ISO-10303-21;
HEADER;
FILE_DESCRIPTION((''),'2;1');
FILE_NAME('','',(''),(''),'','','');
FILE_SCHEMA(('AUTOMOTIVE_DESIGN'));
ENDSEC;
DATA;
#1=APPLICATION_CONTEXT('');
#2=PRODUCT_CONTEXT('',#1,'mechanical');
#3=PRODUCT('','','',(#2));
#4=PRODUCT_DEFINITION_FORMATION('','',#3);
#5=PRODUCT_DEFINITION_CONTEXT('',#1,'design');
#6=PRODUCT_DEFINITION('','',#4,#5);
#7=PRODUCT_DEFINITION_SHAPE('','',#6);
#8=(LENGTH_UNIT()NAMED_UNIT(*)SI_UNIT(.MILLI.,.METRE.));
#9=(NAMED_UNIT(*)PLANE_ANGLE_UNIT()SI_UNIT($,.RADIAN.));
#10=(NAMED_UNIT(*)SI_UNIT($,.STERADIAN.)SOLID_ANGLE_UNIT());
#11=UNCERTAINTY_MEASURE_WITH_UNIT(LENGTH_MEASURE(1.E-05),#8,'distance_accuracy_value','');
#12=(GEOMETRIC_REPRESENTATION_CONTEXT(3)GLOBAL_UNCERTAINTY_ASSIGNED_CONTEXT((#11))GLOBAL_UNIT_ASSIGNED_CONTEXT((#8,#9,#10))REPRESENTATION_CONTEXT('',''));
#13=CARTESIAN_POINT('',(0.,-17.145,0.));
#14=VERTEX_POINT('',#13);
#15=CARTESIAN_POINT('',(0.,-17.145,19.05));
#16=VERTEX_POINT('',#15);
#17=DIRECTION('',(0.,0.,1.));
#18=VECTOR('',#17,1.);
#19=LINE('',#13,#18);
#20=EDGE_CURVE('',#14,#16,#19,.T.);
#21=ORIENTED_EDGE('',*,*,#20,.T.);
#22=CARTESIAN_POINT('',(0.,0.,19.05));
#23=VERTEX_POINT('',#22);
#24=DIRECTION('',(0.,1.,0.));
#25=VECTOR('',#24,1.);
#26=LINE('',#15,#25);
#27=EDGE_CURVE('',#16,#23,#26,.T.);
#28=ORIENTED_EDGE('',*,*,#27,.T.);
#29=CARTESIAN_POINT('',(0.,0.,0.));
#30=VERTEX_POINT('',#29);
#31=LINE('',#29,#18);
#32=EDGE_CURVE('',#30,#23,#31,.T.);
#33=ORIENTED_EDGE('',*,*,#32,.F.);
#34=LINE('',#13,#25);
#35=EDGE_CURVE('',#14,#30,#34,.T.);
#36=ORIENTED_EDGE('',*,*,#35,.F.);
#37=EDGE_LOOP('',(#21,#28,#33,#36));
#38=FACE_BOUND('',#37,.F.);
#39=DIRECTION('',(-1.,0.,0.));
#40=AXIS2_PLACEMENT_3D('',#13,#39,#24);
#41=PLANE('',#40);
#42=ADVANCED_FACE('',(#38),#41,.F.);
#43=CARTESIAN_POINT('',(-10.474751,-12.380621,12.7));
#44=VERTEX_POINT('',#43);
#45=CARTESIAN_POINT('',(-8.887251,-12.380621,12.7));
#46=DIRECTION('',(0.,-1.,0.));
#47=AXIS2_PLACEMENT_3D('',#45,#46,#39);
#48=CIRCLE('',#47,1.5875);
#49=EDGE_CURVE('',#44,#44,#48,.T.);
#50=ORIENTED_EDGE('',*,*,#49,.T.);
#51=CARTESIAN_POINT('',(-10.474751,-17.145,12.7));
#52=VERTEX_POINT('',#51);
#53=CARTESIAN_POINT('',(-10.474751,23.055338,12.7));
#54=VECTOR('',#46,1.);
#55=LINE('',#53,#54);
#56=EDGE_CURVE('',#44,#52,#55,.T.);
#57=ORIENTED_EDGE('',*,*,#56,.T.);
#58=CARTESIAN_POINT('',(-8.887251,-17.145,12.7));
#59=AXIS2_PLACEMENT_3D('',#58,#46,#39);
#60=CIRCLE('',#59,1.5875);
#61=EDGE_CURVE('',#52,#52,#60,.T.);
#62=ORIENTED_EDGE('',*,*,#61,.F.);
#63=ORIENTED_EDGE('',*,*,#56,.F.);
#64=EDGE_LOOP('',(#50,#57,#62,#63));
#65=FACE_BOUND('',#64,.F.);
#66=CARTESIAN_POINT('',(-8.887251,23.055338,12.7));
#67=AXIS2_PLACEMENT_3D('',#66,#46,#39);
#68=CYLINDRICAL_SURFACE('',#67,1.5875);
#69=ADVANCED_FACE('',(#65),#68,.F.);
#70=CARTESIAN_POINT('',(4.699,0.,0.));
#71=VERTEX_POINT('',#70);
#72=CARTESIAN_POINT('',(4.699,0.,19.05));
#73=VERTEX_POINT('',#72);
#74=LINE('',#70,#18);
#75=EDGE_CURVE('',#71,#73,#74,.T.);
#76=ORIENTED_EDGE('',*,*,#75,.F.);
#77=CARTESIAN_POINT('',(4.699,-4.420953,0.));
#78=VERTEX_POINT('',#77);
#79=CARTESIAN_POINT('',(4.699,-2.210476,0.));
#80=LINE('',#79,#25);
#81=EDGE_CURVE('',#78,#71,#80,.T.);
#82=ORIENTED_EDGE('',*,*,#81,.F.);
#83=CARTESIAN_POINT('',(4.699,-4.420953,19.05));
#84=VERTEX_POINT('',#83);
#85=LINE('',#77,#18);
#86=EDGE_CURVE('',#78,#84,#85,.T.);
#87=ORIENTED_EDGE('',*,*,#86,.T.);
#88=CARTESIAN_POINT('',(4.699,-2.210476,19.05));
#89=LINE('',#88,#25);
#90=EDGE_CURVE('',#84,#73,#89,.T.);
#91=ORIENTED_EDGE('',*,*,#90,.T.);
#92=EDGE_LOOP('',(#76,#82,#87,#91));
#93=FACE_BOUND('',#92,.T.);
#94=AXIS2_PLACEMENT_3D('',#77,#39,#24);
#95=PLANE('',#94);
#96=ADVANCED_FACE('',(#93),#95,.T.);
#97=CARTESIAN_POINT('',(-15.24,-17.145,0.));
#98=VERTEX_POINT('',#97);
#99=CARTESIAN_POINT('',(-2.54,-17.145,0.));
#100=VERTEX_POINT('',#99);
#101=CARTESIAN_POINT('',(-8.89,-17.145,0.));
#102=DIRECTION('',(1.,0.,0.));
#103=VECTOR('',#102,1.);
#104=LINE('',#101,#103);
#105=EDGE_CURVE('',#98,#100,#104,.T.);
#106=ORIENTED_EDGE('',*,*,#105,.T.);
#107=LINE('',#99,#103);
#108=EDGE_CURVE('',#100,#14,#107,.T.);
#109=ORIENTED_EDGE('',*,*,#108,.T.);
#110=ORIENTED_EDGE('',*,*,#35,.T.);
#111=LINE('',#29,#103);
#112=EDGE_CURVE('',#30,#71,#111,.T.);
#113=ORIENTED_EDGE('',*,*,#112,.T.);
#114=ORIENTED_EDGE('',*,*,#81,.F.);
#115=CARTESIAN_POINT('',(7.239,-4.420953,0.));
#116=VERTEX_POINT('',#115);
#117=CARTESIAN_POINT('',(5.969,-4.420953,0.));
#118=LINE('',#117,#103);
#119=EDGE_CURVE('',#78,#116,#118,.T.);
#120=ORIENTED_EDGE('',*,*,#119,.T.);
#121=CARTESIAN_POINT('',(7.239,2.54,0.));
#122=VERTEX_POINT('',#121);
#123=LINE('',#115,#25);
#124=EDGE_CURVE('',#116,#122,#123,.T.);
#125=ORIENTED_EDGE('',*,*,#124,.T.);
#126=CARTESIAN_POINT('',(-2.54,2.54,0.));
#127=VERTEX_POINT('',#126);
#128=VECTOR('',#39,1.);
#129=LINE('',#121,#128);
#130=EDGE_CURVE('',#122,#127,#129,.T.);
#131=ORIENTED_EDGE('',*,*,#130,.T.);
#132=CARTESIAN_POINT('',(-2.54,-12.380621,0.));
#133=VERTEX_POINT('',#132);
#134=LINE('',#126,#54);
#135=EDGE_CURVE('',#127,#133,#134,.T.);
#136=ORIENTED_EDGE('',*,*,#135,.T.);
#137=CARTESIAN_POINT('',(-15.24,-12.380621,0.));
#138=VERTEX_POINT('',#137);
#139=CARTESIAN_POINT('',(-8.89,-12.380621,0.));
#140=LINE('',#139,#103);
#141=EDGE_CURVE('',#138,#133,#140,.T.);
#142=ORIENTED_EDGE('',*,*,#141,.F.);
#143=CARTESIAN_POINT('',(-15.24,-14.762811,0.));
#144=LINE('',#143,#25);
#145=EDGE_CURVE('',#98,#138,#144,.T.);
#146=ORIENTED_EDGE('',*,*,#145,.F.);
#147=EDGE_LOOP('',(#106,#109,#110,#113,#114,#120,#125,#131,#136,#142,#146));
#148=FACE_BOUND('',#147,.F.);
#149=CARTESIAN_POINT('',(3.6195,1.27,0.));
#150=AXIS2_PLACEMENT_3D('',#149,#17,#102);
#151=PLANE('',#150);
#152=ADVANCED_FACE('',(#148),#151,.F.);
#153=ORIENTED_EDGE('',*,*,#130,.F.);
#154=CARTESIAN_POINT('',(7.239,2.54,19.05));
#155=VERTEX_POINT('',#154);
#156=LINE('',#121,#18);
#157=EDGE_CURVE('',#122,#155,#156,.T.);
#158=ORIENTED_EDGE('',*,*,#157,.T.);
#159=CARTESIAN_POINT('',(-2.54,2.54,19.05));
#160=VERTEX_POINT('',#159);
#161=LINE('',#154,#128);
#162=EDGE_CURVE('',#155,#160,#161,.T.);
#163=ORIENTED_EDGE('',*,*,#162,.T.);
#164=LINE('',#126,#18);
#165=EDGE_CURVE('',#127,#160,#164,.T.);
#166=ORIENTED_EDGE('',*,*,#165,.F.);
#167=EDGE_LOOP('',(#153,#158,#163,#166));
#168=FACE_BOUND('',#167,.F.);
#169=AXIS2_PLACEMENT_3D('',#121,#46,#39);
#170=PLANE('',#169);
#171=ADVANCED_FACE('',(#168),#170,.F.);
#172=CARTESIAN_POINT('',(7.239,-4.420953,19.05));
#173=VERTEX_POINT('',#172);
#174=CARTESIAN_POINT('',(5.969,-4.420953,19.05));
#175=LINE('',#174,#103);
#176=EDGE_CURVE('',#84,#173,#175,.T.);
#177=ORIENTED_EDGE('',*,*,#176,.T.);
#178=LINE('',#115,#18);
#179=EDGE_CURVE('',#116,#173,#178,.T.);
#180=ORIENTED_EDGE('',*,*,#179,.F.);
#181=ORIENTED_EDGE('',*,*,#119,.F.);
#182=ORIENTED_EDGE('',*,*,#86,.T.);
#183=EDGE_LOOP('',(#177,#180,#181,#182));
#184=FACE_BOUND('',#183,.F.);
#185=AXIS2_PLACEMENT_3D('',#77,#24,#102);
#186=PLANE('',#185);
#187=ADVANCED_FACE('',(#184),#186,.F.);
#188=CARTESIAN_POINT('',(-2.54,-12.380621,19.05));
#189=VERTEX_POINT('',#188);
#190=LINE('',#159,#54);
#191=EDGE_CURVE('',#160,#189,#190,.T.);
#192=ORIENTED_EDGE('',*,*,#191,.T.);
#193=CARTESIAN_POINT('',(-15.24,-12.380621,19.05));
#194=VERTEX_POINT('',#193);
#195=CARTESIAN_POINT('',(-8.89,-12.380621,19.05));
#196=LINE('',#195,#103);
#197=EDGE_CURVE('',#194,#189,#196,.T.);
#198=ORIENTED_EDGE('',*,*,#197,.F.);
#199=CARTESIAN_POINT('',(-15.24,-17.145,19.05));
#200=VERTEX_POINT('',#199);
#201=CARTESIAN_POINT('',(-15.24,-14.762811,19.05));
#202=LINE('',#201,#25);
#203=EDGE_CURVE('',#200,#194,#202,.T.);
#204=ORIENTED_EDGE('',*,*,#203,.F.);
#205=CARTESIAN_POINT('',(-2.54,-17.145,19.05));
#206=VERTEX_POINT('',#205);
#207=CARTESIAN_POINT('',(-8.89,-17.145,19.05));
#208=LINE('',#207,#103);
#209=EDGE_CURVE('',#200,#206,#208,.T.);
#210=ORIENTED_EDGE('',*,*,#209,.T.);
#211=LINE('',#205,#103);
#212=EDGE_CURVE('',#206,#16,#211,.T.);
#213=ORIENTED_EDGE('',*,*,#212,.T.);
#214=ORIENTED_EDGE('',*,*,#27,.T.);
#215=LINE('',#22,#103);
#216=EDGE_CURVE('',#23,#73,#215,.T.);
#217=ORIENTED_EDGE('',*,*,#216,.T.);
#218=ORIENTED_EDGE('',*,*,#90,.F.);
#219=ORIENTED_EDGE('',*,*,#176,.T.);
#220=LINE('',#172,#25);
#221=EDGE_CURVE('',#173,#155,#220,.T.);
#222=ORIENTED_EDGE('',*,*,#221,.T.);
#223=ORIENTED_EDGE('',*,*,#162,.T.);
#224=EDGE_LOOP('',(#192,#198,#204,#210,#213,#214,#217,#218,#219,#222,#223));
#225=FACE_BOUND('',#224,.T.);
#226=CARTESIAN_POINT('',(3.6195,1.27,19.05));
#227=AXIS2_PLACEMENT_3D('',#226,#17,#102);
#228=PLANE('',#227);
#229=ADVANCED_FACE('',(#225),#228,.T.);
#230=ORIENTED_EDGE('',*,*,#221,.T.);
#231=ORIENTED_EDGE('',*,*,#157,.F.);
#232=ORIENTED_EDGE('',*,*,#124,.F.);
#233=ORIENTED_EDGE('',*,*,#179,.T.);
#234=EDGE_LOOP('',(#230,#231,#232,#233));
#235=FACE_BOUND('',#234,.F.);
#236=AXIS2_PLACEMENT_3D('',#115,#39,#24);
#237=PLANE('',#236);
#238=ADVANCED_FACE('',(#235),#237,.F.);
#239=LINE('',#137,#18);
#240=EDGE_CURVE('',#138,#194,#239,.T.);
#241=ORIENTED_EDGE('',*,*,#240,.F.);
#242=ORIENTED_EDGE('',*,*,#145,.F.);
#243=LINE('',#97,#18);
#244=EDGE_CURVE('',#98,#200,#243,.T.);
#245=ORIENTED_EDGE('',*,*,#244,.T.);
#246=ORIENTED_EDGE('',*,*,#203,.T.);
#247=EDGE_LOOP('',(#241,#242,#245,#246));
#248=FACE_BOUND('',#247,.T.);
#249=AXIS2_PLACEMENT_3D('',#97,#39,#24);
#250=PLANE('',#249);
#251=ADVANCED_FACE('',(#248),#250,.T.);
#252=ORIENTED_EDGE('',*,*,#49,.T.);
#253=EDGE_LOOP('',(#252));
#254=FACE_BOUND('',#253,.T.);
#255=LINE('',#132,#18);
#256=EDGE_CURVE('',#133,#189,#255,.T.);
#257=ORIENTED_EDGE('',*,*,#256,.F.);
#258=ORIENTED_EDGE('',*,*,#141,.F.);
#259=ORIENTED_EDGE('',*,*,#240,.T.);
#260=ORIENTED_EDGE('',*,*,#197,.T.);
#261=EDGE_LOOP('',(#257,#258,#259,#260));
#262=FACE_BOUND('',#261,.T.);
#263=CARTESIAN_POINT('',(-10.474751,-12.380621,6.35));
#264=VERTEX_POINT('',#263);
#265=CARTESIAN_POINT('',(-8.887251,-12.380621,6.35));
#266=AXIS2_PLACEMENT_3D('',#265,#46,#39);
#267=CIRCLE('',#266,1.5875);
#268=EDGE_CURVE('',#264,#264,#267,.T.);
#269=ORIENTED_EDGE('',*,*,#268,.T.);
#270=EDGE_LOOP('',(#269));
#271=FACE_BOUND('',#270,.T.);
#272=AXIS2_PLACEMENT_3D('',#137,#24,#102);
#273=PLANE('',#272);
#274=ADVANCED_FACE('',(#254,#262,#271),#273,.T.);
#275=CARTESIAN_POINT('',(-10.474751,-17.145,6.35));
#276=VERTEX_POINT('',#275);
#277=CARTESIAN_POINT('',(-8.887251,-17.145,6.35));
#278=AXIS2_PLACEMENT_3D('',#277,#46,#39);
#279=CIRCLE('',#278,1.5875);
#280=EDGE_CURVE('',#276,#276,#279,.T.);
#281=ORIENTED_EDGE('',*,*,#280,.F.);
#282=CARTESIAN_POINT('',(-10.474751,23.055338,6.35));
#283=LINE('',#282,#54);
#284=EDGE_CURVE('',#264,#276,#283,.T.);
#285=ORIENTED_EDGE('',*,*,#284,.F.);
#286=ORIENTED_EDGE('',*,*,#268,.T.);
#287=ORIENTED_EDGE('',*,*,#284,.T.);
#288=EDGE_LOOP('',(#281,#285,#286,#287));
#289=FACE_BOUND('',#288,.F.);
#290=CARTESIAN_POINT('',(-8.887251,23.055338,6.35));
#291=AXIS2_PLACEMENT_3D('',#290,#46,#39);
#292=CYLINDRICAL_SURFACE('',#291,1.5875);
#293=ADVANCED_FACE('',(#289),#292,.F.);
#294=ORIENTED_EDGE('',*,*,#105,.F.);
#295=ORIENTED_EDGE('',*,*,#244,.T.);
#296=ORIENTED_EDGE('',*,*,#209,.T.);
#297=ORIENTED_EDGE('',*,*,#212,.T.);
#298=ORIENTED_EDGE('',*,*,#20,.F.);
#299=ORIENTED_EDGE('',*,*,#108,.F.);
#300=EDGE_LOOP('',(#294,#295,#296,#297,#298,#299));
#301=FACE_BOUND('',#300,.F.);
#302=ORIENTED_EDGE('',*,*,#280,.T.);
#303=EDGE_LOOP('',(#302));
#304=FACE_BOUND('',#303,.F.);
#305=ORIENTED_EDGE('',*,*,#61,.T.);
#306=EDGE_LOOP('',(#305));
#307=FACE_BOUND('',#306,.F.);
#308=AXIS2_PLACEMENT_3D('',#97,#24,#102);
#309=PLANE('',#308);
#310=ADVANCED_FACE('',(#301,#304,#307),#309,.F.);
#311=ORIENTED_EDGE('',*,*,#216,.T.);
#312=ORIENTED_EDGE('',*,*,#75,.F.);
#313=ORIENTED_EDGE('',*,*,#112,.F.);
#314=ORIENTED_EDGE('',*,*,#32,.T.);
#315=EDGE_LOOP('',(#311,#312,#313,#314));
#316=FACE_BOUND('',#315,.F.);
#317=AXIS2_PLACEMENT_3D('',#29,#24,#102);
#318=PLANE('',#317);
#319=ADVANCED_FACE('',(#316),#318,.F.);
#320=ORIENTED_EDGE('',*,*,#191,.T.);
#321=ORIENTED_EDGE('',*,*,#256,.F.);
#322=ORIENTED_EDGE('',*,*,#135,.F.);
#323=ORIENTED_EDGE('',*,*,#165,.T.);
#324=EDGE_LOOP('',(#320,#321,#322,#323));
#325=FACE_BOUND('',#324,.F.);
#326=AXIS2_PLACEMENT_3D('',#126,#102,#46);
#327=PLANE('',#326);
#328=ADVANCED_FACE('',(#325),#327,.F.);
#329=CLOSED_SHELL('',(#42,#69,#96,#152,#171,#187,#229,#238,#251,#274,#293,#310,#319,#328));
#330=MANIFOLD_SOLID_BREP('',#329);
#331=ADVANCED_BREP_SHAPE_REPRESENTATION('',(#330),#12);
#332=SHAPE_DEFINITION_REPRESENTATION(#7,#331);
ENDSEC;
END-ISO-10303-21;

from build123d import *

# Parameters (mm, degrees)
F0_W     = 2.54
F0_H     = 4.4209526072
F0_W_2   = 12.7
F0_H_2   = 4.7643789807
F1_DEPTH = 19.05
F4_D     = 3.175


with BuildPart() as f1:
    # F0 (on Top) → F1 (new body)
    with BuildSketch(Plane.XY):
        Polygon((0, 2.54), (0, 0), (4.699, 0), (7.239, 0), (7.239, 2.54), align=None)
        Polygon((0, -17.145), (0, 0), (0, 2.54), (-2.54, 2.54), (-2.54, -12.3806210193), (-2.54, -17.145), align=None)
        with Locations((5.969, -2.2104763036)):
            Rectangle(F0_W, F0_H)
        with Locations((-8.89, -14.7628105097)):
            Rectangle(F0_W_2, F0_H_2)
    extrude(amount=F1_DEPTH)

    # F4 (through all)
    with Locations(Plane(origin=(0, -12.3806204, 0), x_dir=(1, 0, 0), z_dir=(0, 1, 0))):
        with Locations((-8.8872509077, -12.7), (-8.8872509077, -6.35)):
            Hole(F4_D / 2)


solid = f1.part
